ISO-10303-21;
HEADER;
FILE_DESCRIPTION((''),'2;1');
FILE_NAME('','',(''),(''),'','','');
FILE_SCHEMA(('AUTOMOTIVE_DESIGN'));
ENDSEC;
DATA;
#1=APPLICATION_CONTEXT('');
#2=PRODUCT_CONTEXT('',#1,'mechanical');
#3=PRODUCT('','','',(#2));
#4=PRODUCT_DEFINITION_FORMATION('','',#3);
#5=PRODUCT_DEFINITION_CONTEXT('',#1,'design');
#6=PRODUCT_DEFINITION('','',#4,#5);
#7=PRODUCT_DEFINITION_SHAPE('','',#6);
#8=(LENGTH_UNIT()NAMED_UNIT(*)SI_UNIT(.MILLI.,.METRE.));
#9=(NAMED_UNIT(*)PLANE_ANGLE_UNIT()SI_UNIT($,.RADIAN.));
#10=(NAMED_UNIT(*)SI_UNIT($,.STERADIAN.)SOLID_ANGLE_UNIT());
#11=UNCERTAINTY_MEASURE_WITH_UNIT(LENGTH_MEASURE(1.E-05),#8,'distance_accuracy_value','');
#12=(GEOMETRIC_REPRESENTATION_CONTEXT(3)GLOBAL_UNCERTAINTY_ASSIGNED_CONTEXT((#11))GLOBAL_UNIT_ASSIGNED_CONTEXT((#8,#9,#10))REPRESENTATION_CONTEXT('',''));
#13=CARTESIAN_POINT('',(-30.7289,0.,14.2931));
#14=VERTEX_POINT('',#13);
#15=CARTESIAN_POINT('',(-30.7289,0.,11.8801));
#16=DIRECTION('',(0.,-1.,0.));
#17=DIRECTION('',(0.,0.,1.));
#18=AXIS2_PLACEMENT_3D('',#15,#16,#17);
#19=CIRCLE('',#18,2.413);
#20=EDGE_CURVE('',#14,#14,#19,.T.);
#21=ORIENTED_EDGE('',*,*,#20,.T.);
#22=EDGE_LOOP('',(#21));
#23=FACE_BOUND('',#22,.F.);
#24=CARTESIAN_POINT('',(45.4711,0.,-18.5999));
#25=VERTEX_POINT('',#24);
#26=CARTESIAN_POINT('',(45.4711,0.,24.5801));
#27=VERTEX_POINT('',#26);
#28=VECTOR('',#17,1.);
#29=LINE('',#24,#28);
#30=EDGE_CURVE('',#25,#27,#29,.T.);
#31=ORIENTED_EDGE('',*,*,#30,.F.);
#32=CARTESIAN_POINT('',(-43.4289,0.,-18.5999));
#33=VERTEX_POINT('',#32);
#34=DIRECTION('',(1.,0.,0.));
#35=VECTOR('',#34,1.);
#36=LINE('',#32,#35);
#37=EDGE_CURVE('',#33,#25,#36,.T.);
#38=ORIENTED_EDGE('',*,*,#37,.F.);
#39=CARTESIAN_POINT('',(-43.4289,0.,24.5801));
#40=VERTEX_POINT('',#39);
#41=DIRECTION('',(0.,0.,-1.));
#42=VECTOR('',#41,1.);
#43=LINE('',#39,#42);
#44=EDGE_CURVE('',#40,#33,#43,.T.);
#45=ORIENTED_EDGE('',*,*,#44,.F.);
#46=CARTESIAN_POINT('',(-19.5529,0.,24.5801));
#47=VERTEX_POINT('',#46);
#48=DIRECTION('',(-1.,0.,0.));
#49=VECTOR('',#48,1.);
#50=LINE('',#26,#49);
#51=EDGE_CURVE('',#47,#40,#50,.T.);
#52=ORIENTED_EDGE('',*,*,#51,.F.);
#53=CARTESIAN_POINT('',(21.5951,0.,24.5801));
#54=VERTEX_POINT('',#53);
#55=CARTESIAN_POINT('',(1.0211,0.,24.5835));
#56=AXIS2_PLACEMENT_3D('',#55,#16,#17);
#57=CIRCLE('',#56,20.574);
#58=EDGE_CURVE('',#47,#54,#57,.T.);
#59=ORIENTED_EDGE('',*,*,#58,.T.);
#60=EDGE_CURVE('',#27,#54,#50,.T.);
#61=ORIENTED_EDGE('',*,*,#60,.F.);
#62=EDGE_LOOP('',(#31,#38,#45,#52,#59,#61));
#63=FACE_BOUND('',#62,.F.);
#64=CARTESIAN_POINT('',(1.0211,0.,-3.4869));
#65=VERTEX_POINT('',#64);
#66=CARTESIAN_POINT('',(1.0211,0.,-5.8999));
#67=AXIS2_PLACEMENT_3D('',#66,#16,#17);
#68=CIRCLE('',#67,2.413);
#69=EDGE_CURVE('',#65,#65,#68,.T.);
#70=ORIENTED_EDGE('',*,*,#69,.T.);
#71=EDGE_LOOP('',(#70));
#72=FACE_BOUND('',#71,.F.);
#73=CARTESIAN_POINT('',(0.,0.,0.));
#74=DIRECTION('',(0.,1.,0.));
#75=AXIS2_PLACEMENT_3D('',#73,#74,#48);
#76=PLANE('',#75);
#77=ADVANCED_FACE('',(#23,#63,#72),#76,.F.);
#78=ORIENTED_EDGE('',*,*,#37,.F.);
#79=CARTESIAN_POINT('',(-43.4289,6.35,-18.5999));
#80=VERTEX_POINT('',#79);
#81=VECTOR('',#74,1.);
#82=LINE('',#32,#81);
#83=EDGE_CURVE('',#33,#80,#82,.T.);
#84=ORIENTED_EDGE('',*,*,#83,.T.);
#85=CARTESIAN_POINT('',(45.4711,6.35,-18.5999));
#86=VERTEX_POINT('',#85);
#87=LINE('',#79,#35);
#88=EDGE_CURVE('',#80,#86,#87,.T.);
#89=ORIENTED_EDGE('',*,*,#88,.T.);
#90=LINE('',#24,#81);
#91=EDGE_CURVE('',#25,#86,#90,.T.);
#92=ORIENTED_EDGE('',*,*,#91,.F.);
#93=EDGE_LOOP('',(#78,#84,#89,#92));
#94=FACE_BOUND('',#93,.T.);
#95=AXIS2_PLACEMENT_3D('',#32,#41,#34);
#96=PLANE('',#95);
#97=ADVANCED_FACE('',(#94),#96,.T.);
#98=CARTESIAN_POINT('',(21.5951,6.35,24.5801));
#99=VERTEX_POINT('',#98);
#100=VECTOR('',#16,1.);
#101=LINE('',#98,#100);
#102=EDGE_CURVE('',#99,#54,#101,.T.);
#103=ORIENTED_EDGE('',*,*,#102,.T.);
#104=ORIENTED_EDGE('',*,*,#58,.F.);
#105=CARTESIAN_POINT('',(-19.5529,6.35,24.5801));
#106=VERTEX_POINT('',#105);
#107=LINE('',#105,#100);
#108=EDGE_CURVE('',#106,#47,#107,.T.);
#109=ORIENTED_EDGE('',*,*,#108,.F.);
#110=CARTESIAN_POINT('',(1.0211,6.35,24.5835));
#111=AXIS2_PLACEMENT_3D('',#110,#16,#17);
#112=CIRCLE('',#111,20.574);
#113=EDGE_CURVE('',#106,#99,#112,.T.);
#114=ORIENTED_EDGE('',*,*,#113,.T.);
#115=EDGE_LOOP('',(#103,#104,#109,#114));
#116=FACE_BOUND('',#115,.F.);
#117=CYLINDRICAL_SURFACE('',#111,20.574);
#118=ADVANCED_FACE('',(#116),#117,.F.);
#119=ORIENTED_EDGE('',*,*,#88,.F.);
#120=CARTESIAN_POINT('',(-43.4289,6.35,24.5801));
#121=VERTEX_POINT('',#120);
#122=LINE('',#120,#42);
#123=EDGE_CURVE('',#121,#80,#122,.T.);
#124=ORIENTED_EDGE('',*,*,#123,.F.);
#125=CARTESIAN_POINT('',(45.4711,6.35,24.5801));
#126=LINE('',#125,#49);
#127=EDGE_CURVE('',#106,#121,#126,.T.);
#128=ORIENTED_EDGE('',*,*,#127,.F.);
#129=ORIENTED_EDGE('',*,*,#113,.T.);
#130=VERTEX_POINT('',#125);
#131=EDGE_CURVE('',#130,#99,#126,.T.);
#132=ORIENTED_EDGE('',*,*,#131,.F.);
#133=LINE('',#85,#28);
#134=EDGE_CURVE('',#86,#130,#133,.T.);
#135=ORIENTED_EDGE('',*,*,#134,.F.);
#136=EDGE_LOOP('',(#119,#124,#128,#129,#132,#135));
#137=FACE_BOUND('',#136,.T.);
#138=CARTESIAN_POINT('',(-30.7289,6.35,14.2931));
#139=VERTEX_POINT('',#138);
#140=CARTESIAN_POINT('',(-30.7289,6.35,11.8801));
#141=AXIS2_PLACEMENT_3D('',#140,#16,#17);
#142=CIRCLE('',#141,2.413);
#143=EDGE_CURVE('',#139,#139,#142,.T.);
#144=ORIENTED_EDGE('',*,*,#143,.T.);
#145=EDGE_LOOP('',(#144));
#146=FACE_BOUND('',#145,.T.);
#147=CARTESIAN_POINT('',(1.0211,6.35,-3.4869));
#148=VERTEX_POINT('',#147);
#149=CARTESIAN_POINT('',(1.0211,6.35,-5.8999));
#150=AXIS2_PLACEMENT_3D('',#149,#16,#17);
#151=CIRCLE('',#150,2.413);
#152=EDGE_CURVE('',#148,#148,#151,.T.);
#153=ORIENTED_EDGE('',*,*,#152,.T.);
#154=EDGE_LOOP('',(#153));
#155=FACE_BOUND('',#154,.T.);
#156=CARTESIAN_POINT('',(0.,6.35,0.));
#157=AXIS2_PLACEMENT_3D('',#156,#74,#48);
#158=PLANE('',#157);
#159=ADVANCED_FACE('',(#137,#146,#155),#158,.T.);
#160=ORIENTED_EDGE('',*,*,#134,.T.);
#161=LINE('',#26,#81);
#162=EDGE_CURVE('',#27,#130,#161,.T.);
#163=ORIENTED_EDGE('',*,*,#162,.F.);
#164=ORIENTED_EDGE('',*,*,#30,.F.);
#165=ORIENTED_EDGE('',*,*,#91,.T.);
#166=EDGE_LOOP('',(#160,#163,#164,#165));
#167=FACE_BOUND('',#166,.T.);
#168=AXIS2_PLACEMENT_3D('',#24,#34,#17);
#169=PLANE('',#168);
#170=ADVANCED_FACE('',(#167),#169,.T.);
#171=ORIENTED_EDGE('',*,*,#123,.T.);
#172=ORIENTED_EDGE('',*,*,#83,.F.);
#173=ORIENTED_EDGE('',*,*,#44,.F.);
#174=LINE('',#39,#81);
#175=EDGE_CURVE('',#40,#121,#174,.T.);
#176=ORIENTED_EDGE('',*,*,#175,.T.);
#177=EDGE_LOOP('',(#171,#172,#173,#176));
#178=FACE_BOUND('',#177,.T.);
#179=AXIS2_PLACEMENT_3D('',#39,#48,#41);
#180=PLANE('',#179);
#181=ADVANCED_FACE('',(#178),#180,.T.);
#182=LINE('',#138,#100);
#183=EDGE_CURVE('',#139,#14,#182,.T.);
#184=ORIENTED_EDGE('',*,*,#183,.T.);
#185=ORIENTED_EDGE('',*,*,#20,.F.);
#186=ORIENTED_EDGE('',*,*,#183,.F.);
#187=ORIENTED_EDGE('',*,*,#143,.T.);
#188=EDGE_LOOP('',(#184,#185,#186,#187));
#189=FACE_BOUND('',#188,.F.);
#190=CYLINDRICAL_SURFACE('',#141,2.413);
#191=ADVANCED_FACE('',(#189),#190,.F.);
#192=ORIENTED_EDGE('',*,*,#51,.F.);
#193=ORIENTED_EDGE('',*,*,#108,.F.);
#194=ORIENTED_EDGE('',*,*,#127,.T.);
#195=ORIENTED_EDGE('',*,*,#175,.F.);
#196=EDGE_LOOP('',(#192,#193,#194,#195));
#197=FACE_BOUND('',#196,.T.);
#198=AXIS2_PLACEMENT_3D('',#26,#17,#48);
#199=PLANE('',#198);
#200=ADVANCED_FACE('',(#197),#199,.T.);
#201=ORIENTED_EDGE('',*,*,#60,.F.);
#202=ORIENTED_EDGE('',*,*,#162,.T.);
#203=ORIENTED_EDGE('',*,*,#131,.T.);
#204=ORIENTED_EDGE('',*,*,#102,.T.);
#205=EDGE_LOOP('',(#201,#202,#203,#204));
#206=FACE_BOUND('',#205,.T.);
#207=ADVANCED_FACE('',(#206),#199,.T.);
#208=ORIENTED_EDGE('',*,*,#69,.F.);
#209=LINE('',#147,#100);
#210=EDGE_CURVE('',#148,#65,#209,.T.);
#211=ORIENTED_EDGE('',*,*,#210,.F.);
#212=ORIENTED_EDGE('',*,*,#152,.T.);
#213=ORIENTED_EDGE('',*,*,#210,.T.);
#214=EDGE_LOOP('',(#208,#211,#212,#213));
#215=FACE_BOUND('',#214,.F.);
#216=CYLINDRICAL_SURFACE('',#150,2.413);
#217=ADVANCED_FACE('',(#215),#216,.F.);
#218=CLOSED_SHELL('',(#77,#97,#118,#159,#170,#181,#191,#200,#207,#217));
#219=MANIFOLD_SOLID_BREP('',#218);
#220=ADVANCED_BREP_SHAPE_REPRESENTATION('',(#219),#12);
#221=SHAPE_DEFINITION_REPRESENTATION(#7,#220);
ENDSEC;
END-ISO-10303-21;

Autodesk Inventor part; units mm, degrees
ref_plane "YZ Plane" through (0, 0, 0) normal (1, 0, 0) x (0, 1, 0)
ref_plane "XZ Plane" through (0, 0, 0) normal (0, 1, 0) x (-1, 0, 0)
ref_plane "XY Plane" through (0, 0, 0) normal (0, 0, 1) x (1, 0, 0)
sketch "Sketch1" plane through (0, 0, 0) normal (0, 1, 0) x (-1, 0, 0)
  line L0 (43.4289, -18.5999) -> (-45.4711, -18.5999)
  line L1 (-45.4711, -18.5999) -> (-45.4711, 24.5801)
  line L2 (-45.4711, 24.5801) -> (43.4289, 24.5801)
  line L3 (43.4289, 24.5801) -> (43.4289, -18.5999)
  point P0 (0, 0)
  dimension "d2" = 88.9
  dimension "d3" = 43.18
extrude "Extrusion1" add sketch "Sketch1" along normal blind 6.35
sketch "Sketch2" plane through (0, 6.35, 0) normal (0, 1, 0) x (1, 0, 0)
  line L0 (45.4711, -24.5801) -> (45.4711, 18.5999) projected
  line L1 (45.4711, 18.5999) -> (-43.4289, 18.5999) projected
  point P0 (0, 0)
  point P1 (1.0211, -24.5835)
  dimension "d22" = 44.45
  dimension "d23" = 43.1834
hole "Hole1" at (1.0211, 6.35, 24.5835) direction (0, -1, 0) diameter 41.148 end through all
sketch "Sketch3" plane through (0, 6.35, 0) normal (0, 1, 0) x (1, 0, 0)
  line L0 (-43.4289, 18.5999) -> (-43.4289, -24.5801) projected
  line L1 (-43.4289, -24.5801) -> (-19.5529, -24.5801) projected
  point P0 (0, 0)
  point P1 (-30.7289, -11.8801)
  dimension "d13" = 12.7
  dimension "d14" = 12.7
hole "Hole2" at (-30.7289, 6.35, 11.8801) direction (0, -1, 0) diameter 4.826 end through all
sketch "Sketch4" plane through (0, 6.35, 0) normal (0, 1, 0) x (1, 0, 0)
  line L0 (45.4711, 18.5999) -> (-43.4289, 18.5999) projected
  line L1 (45.4711, -24.5801) -> (45.4711, 18.5999) projected
  point P0 (0, 0)
  point P1 (1.0211, 5.8999)
  dimension "d24" = 12.7
  dimension "d25" = 44.45
hole "Hole3" at (1.0211, 6.35, -5.8999) direction (0, -1, 0) diameter 4.826 end through all
properties part number "InventorPart1Commit3"
